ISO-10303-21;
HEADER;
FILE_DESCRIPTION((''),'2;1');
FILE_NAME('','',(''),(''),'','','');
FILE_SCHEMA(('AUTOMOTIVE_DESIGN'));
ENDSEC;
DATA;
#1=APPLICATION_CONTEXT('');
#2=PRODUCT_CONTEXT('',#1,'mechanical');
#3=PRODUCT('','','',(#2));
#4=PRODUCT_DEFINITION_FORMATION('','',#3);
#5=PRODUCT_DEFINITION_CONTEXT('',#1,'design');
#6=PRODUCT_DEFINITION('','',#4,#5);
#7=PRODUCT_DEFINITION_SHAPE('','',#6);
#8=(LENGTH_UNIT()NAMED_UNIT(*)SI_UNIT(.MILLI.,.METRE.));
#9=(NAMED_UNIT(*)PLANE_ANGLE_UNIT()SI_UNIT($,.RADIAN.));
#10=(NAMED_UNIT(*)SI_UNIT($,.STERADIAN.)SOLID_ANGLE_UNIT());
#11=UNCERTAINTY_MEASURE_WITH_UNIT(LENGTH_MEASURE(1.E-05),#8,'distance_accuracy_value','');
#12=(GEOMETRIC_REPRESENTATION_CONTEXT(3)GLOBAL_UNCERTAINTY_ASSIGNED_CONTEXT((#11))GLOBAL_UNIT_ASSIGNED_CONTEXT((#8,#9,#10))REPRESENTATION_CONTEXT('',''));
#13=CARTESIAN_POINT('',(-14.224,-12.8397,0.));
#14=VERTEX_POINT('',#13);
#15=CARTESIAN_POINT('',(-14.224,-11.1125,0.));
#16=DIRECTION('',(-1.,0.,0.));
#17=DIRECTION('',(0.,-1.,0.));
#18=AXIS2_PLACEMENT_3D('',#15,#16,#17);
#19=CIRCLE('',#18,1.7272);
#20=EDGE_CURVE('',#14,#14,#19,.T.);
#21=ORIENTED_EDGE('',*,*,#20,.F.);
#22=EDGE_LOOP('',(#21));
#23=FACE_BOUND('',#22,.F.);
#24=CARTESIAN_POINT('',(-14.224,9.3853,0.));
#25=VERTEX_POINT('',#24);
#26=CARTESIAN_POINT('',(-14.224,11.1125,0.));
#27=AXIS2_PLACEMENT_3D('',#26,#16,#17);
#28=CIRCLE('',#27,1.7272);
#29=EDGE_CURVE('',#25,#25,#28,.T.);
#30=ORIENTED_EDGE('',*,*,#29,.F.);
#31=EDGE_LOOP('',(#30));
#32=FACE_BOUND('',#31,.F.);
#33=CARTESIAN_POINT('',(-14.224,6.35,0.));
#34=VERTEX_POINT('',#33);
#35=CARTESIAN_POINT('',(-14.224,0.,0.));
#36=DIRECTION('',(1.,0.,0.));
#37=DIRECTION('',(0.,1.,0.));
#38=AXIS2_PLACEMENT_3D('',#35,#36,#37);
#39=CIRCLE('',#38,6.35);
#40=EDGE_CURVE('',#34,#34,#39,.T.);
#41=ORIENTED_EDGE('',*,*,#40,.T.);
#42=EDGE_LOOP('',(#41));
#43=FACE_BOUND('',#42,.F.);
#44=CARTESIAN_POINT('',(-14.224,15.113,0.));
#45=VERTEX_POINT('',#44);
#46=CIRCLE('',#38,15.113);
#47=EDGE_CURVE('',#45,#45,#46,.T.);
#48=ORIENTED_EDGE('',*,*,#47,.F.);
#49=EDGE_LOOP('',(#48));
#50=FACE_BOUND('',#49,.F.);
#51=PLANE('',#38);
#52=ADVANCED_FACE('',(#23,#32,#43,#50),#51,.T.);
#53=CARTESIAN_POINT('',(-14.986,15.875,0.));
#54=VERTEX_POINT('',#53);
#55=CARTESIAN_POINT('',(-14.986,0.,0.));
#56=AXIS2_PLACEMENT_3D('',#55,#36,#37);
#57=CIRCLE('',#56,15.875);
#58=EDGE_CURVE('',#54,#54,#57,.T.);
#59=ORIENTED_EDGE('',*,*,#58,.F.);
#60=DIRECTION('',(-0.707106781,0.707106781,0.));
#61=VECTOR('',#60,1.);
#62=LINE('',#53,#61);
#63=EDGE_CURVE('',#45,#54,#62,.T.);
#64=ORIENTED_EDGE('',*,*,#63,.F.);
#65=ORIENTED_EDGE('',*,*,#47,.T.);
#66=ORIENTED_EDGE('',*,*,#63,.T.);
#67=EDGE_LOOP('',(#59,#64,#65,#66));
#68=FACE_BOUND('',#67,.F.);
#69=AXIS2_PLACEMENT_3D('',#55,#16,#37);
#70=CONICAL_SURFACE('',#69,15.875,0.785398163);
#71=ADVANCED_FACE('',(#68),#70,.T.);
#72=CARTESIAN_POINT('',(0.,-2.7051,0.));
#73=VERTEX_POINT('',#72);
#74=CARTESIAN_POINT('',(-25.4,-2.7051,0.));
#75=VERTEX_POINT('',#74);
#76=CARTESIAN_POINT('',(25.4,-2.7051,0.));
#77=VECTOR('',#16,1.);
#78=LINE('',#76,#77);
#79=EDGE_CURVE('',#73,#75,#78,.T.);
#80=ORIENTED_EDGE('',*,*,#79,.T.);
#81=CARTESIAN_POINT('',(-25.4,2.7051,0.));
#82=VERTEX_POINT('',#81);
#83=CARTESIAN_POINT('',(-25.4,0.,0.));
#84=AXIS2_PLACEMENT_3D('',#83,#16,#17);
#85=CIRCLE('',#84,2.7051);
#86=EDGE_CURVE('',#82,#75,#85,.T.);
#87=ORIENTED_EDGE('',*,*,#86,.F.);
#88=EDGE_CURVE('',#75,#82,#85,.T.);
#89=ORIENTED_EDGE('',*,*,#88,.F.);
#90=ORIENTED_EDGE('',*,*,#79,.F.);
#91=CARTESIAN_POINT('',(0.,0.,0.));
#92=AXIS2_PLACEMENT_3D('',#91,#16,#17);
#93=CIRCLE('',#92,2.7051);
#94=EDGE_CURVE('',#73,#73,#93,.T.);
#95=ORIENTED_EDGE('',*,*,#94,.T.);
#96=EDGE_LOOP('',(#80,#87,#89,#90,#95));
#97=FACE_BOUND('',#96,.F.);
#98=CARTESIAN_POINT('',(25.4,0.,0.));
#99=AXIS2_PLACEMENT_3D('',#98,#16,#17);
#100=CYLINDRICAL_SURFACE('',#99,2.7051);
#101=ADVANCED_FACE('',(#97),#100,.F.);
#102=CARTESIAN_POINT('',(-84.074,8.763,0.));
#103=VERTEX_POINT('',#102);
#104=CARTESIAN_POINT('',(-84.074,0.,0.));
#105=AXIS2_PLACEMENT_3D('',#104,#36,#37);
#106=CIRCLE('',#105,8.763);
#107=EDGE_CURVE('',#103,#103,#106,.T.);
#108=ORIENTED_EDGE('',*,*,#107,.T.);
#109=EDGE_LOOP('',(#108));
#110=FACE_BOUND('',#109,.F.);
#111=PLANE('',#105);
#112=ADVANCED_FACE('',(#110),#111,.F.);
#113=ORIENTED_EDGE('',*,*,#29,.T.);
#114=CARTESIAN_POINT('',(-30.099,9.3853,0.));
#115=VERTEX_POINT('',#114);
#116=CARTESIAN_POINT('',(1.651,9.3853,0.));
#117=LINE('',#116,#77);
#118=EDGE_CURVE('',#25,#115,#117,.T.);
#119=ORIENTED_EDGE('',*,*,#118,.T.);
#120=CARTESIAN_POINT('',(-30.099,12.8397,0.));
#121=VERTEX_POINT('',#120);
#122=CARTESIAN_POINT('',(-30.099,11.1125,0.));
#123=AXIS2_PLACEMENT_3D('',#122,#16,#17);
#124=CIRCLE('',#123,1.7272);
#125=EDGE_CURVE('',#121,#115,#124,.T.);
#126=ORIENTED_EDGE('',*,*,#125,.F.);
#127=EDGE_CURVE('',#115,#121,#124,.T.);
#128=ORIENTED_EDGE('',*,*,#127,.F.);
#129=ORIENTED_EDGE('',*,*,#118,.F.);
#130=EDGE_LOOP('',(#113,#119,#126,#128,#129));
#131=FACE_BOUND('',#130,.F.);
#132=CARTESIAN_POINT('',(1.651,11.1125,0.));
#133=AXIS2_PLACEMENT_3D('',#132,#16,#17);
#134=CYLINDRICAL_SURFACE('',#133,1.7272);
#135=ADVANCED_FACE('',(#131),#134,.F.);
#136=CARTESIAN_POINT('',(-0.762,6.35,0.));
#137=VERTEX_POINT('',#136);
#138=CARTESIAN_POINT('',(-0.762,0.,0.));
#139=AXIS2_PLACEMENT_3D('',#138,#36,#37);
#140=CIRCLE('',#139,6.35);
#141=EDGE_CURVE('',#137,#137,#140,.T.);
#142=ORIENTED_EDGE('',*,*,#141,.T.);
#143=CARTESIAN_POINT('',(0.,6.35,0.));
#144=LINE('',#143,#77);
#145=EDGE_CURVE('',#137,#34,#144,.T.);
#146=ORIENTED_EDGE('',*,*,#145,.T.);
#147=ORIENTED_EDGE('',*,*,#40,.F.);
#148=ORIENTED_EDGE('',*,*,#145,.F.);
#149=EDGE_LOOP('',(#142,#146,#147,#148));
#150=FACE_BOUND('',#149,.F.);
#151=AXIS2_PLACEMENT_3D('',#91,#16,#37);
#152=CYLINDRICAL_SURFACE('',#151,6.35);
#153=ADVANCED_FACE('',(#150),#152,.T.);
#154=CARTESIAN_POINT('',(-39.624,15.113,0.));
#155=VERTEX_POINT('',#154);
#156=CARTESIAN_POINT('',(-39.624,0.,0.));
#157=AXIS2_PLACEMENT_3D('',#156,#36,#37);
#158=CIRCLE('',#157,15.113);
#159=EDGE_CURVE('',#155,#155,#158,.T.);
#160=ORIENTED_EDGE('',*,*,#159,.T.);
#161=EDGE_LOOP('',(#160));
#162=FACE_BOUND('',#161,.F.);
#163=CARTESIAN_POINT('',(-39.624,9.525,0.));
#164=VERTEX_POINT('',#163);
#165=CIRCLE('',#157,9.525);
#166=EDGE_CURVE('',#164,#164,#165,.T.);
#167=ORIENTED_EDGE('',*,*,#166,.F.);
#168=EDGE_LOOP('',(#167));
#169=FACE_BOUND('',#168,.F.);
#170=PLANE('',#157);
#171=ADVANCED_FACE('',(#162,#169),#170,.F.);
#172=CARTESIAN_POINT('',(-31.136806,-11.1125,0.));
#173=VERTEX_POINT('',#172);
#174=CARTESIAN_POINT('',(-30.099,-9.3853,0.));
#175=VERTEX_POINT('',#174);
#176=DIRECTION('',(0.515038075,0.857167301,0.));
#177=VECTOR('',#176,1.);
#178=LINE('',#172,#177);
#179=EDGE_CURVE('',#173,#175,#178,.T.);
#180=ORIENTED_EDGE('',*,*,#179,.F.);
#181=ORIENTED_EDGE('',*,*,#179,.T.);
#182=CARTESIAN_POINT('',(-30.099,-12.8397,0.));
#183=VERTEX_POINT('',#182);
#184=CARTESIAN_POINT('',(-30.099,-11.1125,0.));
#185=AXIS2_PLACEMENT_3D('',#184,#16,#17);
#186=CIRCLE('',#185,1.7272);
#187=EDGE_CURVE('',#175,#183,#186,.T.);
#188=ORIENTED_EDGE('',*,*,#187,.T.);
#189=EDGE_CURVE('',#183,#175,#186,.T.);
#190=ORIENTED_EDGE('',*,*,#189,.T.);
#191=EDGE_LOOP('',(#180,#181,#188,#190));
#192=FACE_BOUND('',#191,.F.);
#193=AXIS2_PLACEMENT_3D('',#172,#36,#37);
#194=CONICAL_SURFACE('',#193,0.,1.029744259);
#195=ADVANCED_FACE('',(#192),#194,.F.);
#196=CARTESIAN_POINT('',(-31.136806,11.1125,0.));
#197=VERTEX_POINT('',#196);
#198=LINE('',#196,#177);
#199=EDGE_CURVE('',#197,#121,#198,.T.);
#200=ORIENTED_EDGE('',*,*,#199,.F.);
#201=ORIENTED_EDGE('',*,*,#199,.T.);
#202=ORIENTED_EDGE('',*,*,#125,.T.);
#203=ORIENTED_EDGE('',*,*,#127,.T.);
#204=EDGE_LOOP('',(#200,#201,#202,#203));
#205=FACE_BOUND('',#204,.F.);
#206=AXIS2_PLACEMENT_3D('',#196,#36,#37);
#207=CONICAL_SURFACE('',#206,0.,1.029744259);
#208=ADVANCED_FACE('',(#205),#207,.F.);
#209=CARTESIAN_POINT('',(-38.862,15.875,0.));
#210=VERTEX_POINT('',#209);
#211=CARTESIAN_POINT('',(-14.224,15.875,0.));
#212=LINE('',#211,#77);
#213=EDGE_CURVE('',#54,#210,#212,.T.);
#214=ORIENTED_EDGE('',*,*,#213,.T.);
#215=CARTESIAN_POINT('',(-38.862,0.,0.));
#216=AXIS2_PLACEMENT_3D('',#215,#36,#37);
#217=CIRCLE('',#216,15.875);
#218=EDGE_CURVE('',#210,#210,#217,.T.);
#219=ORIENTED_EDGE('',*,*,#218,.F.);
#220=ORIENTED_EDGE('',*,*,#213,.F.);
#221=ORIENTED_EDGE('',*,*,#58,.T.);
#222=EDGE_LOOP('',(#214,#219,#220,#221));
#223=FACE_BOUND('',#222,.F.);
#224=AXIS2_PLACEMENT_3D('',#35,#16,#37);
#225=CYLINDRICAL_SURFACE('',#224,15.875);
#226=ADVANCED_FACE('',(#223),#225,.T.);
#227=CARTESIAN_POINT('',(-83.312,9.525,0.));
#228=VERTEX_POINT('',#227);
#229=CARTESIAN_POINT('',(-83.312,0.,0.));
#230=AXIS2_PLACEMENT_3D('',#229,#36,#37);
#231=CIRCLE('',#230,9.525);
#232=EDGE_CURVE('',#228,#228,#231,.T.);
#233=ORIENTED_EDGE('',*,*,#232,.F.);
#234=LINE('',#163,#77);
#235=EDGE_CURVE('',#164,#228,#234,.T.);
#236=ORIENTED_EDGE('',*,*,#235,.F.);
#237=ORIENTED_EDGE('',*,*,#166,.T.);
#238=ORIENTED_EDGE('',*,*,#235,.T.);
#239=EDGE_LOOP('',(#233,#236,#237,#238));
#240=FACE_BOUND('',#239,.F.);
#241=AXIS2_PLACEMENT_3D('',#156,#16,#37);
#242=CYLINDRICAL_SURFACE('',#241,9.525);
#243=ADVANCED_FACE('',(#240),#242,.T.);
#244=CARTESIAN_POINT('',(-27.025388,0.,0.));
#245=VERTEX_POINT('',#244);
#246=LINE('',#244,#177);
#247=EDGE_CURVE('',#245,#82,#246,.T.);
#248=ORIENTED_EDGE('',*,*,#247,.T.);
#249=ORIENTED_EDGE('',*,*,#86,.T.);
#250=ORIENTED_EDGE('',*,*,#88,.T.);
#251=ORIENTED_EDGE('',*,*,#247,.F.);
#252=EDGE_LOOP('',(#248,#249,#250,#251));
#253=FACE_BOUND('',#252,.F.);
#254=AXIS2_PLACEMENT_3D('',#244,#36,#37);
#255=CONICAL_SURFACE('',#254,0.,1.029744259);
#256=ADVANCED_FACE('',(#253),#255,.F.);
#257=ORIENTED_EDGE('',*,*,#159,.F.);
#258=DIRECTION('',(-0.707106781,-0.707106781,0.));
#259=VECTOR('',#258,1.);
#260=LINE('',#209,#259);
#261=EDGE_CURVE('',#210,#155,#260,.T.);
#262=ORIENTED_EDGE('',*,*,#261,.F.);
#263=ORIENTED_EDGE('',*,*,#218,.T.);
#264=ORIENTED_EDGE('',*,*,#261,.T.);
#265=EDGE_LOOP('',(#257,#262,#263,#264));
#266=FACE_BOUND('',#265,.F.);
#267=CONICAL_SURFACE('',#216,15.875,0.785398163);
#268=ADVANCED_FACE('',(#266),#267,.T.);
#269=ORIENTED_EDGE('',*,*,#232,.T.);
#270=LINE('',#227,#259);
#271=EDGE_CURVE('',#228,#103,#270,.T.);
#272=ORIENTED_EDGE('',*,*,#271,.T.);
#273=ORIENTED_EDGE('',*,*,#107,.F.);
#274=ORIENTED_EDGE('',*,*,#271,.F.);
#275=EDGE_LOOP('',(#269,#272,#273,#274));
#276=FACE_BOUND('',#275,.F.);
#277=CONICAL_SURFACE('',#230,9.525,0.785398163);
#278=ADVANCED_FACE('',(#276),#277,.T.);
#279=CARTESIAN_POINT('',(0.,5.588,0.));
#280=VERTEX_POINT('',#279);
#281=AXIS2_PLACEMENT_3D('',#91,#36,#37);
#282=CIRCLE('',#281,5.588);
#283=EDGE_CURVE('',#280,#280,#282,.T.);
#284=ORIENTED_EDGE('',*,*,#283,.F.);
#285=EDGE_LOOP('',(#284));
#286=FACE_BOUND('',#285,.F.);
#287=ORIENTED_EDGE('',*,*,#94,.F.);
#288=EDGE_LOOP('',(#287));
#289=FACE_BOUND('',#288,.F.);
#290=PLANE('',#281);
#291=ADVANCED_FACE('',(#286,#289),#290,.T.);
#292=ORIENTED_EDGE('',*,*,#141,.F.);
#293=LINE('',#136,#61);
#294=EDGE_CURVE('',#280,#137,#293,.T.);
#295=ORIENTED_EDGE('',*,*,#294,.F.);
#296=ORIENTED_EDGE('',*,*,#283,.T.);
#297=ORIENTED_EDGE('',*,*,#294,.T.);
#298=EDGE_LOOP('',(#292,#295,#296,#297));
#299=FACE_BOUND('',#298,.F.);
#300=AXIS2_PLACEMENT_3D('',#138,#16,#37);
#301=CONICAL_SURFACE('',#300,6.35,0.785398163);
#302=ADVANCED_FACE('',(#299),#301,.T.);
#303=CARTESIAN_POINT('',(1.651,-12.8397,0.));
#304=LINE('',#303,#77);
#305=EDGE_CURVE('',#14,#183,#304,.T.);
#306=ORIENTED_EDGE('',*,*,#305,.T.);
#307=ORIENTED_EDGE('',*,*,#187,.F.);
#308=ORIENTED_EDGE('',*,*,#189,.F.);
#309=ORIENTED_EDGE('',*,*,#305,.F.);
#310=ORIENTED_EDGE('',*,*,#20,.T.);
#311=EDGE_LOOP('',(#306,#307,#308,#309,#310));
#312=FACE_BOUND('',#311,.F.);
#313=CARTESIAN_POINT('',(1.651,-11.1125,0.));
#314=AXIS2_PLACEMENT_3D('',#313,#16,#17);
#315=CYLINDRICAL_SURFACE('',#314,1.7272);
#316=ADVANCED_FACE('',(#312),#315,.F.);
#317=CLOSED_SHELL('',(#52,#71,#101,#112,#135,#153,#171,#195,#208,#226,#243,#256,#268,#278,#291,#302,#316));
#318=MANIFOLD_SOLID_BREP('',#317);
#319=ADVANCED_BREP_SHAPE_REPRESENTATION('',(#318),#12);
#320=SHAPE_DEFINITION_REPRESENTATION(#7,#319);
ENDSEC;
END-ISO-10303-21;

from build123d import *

# Parameters (mm, degrees)
F3_D     = 5.4102
F3_DEPTH = 25.4
F3_TIP   = 1.6253880605
F5_D     = 3.4544
F5_DEPTH = 15.875
F5_TIP   = 1.0378064612
F6_SIZE  = 0.762


with BuildPart() as f1:
    # F0 (on Top) → F1 (revolve)
    with BuildSketch(Plane.XY):
        Polygon((-84.074, 0), (0, 0), (0, 6.35), (-14.224, 6.35), (-14.224, 15.875), (-39.624, 15.875), (-39.624, 9.525), (-84.074, 9.525), align=None)
    revolve(axis=Axis((-42.037, 0, 0), (1, 0, 0)))

    # F3
    with Locations(Plane.YZ):
        with Locations((0, 0)):
            Hole(F3_D / 2, depth=F3_DEPTH)
            with Locations((0, 0, -(F3_DEPTH + F3_TIP / 2))):  # 118° drill point
                Cone(0, F3_D / 2, F3_TIP, mode=Mode.SUBTRACT)

    # F5
    with Locations(Plane.YZ.offset(-14.224)):
        with Locations((-11.1125, 0), (11.1125, 0)):
            Hole(F5_D / 2, depth=F5_DEPTH)
            with Locations((0, 0, -(F5_DEPTH + F5_TIP / 2))):  # 118° drill point
                Cone(0, F5_D / 2, F5_TIP, mode=Mode.SUBTRACT)

    # F6
    f6_edges = [f1.edges().sort_by_distance(p)[0] for p in [
        (0, -6.35, 0),
        (-14.224, -15.875, 0),
        (-39.624, -15.875, 0),
        (-84.074, -9.525, 0),
    ]]
    chamfer(f6_edges, length=F6_SIZE)


solid = f1.part
